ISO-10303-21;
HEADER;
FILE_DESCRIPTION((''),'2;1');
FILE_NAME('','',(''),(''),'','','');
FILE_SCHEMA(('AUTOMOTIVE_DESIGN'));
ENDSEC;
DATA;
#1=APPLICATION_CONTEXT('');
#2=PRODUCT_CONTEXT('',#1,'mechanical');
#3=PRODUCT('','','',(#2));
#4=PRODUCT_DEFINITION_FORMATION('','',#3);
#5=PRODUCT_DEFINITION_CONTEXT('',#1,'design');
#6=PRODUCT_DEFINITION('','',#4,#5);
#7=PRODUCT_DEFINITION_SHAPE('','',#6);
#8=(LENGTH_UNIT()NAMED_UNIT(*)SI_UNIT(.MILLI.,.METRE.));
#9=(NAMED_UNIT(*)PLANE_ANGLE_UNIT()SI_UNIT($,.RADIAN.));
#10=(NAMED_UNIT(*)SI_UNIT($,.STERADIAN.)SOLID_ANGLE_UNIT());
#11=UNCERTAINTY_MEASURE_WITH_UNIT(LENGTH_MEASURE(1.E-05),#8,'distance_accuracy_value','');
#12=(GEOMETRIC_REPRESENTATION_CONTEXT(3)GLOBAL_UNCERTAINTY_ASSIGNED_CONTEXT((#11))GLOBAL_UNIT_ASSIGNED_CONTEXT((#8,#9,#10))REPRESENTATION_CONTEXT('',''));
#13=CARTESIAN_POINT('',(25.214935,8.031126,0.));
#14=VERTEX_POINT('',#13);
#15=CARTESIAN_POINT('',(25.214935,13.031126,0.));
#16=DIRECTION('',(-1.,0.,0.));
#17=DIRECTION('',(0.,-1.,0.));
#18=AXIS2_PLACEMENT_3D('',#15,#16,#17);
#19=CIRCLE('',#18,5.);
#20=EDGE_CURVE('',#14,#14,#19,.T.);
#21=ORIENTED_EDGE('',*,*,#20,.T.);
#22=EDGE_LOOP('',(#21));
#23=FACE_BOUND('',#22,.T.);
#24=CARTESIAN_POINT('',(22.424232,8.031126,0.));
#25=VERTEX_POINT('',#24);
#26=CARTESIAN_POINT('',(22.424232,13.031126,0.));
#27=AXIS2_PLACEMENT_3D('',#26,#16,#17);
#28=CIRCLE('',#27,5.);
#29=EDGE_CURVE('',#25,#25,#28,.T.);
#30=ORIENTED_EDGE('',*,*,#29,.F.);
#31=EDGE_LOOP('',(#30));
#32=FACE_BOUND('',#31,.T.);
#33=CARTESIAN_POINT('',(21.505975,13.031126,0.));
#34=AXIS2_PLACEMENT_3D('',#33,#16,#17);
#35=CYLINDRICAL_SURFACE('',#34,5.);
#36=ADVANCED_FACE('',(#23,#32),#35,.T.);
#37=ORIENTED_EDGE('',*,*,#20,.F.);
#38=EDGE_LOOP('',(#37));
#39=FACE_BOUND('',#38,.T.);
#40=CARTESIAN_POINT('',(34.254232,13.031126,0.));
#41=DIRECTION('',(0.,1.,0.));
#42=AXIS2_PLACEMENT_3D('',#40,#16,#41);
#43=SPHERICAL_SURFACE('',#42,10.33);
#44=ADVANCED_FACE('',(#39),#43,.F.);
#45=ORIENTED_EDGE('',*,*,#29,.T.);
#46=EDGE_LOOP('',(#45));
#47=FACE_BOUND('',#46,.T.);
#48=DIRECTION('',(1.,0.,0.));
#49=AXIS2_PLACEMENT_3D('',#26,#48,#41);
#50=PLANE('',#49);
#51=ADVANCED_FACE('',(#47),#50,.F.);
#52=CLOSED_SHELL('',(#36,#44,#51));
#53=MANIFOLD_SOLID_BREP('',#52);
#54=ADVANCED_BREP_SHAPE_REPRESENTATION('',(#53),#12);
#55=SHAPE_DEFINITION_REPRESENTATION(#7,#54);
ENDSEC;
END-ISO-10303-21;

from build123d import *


with BuildPart() as part:
    # 草图1 → 旋转1 (revolve)
    with BuildSketch(Plane.XY):
        with BuildLine():
            Line((22.424232054, 13.031126091), (22.424232054, 18.031126091))
            Line((22.424232054, 18.031126091), (25.214934515, 18.031126091))
            ThreePointArc((25.214934515, 18.031126091), (24.252111189, 15.613078494), (23.924232054, 13.031126091))
            Line((23.924232054, 13.031126091), (22.424232054, 13.031126091))
        make_face()
    revolve(axis=Axis((21.505975118, 13.031126091, 0), (1, 0, 0)))


solid = part.part
